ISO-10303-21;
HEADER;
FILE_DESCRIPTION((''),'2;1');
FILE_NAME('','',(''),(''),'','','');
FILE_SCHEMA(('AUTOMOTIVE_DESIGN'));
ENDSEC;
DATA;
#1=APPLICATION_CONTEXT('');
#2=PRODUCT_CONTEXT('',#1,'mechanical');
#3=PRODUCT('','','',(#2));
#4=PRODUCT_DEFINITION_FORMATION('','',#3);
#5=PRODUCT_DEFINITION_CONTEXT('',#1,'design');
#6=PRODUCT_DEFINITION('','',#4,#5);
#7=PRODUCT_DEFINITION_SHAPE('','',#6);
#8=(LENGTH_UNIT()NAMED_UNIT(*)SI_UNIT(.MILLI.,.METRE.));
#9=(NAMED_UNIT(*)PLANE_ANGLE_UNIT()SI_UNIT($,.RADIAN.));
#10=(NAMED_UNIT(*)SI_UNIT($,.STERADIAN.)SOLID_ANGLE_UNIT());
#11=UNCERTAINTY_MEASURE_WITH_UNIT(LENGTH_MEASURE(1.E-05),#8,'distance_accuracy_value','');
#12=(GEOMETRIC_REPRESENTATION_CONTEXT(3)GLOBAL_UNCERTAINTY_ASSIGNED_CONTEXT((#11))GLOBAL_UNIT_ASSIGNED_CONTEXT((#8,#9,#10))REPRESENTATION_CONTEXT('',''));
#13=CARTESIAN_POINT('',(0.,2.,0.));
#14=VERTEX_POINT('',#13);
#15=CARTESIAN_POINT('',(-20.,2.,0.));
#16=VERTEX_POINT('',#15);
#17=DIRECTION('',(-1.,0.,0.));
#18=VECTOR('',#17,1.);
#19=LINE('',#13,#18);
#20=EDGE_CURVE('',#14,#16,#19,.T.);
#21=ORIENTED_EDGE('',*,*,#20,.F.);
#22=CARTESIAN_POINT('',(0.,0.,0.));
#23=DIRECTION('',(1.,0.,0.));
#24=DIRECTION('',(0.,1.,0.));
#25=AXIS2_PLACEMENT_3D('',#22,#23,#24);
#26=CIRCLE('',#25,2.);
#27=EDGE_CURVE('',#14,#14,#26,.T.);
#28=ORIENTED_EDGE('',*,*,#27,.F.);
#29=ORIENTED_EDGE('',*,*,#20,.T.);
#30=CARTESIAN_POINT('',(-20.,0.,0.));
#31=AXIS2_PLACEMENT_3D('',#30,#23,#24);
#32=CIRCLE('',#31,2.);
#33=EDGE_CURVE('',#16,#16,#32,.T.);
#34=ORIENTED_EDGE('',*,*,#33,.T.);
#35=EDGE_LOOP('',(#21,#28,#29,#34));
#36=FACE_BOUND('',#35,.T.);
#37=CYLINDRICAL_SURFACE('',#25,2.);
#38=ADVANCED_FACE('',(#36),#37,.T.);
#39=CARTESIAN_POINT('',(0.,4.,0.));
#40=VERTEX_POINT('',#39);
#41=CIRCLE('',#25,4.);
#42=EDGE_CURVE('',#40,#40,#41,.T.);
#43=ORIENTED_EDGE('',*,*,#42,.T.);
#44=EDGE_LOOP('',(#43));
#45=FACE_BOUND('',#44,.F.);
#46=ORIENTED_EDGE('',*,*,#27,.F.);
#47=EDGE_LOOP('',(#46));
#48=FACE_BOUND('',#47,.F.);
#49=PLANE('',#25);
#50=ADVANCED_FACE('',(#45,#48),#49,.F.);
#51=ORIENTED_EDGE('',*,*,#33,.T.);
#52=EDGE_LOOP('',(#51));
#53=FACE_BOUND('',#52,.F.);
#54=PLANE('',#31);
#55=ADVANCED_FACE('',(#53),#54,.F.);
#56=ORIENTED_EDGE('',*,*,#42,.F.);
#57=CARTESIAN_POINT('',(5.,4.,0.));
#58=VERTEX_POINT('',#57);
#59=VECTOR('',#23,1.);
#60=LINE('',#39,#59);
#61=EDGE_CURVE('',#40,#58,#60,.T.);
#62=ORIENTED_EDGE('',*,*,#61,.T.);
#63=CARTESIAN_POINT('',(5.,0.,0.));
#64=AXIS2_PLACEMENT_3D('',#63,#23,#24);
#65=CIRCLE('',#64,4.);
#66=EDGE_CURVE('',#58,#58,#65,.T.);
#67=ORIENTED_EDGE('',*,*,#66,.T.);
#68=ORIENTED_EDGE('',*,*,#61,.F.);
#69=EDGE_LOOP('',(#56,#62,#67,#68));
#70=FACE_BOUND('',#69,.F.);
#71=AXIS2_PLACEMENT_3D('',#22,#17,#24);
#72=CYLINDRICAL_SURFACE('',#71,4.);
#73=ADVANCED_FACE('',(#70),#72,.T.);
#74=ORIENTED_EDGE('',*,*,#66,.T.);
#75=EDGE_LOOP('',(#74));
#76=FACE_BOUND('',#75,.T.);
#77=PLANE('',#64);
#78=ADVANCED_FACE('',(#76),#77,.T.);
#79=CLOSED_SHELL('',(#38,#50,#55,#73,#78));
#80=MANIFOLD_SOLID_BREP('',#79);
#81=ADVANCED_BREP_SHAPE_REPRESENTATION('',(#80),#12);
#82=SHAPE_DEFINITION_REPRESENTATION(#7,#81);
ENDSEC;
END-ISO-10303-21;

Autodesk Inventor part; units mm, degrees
ref_plane "YZ Plane" through (0, 0, 0) normal (1, 0, 0) x (0, 1, 0)
ref_plane "XZ Plane" through (0, 0, 0) normal (0, 1, 0) x (-1, 0, 0)
ref_plane "XY Plane" through (0, 0, 0) normal (0, 0, 1) x (1, 0, 0)
sketch "Sketch1" plane through (0, 0, 0) normal (1, 0, 0) x (0, 1, 0)
  circle A0 centre (0, 0) radius 4
  circle A1 centre (0, 0) radius 2
  dimension "d0" = 8
  dimension "d1" = 4
extrude "Extrusion1" add sketch "Sketch1" along normal blind 5 contours A0 | A1
extrude "Extrusion2" add sketch "Sketch1" against normal blind 20 contours A1
equation "\"d0\" = 2 * d1"
